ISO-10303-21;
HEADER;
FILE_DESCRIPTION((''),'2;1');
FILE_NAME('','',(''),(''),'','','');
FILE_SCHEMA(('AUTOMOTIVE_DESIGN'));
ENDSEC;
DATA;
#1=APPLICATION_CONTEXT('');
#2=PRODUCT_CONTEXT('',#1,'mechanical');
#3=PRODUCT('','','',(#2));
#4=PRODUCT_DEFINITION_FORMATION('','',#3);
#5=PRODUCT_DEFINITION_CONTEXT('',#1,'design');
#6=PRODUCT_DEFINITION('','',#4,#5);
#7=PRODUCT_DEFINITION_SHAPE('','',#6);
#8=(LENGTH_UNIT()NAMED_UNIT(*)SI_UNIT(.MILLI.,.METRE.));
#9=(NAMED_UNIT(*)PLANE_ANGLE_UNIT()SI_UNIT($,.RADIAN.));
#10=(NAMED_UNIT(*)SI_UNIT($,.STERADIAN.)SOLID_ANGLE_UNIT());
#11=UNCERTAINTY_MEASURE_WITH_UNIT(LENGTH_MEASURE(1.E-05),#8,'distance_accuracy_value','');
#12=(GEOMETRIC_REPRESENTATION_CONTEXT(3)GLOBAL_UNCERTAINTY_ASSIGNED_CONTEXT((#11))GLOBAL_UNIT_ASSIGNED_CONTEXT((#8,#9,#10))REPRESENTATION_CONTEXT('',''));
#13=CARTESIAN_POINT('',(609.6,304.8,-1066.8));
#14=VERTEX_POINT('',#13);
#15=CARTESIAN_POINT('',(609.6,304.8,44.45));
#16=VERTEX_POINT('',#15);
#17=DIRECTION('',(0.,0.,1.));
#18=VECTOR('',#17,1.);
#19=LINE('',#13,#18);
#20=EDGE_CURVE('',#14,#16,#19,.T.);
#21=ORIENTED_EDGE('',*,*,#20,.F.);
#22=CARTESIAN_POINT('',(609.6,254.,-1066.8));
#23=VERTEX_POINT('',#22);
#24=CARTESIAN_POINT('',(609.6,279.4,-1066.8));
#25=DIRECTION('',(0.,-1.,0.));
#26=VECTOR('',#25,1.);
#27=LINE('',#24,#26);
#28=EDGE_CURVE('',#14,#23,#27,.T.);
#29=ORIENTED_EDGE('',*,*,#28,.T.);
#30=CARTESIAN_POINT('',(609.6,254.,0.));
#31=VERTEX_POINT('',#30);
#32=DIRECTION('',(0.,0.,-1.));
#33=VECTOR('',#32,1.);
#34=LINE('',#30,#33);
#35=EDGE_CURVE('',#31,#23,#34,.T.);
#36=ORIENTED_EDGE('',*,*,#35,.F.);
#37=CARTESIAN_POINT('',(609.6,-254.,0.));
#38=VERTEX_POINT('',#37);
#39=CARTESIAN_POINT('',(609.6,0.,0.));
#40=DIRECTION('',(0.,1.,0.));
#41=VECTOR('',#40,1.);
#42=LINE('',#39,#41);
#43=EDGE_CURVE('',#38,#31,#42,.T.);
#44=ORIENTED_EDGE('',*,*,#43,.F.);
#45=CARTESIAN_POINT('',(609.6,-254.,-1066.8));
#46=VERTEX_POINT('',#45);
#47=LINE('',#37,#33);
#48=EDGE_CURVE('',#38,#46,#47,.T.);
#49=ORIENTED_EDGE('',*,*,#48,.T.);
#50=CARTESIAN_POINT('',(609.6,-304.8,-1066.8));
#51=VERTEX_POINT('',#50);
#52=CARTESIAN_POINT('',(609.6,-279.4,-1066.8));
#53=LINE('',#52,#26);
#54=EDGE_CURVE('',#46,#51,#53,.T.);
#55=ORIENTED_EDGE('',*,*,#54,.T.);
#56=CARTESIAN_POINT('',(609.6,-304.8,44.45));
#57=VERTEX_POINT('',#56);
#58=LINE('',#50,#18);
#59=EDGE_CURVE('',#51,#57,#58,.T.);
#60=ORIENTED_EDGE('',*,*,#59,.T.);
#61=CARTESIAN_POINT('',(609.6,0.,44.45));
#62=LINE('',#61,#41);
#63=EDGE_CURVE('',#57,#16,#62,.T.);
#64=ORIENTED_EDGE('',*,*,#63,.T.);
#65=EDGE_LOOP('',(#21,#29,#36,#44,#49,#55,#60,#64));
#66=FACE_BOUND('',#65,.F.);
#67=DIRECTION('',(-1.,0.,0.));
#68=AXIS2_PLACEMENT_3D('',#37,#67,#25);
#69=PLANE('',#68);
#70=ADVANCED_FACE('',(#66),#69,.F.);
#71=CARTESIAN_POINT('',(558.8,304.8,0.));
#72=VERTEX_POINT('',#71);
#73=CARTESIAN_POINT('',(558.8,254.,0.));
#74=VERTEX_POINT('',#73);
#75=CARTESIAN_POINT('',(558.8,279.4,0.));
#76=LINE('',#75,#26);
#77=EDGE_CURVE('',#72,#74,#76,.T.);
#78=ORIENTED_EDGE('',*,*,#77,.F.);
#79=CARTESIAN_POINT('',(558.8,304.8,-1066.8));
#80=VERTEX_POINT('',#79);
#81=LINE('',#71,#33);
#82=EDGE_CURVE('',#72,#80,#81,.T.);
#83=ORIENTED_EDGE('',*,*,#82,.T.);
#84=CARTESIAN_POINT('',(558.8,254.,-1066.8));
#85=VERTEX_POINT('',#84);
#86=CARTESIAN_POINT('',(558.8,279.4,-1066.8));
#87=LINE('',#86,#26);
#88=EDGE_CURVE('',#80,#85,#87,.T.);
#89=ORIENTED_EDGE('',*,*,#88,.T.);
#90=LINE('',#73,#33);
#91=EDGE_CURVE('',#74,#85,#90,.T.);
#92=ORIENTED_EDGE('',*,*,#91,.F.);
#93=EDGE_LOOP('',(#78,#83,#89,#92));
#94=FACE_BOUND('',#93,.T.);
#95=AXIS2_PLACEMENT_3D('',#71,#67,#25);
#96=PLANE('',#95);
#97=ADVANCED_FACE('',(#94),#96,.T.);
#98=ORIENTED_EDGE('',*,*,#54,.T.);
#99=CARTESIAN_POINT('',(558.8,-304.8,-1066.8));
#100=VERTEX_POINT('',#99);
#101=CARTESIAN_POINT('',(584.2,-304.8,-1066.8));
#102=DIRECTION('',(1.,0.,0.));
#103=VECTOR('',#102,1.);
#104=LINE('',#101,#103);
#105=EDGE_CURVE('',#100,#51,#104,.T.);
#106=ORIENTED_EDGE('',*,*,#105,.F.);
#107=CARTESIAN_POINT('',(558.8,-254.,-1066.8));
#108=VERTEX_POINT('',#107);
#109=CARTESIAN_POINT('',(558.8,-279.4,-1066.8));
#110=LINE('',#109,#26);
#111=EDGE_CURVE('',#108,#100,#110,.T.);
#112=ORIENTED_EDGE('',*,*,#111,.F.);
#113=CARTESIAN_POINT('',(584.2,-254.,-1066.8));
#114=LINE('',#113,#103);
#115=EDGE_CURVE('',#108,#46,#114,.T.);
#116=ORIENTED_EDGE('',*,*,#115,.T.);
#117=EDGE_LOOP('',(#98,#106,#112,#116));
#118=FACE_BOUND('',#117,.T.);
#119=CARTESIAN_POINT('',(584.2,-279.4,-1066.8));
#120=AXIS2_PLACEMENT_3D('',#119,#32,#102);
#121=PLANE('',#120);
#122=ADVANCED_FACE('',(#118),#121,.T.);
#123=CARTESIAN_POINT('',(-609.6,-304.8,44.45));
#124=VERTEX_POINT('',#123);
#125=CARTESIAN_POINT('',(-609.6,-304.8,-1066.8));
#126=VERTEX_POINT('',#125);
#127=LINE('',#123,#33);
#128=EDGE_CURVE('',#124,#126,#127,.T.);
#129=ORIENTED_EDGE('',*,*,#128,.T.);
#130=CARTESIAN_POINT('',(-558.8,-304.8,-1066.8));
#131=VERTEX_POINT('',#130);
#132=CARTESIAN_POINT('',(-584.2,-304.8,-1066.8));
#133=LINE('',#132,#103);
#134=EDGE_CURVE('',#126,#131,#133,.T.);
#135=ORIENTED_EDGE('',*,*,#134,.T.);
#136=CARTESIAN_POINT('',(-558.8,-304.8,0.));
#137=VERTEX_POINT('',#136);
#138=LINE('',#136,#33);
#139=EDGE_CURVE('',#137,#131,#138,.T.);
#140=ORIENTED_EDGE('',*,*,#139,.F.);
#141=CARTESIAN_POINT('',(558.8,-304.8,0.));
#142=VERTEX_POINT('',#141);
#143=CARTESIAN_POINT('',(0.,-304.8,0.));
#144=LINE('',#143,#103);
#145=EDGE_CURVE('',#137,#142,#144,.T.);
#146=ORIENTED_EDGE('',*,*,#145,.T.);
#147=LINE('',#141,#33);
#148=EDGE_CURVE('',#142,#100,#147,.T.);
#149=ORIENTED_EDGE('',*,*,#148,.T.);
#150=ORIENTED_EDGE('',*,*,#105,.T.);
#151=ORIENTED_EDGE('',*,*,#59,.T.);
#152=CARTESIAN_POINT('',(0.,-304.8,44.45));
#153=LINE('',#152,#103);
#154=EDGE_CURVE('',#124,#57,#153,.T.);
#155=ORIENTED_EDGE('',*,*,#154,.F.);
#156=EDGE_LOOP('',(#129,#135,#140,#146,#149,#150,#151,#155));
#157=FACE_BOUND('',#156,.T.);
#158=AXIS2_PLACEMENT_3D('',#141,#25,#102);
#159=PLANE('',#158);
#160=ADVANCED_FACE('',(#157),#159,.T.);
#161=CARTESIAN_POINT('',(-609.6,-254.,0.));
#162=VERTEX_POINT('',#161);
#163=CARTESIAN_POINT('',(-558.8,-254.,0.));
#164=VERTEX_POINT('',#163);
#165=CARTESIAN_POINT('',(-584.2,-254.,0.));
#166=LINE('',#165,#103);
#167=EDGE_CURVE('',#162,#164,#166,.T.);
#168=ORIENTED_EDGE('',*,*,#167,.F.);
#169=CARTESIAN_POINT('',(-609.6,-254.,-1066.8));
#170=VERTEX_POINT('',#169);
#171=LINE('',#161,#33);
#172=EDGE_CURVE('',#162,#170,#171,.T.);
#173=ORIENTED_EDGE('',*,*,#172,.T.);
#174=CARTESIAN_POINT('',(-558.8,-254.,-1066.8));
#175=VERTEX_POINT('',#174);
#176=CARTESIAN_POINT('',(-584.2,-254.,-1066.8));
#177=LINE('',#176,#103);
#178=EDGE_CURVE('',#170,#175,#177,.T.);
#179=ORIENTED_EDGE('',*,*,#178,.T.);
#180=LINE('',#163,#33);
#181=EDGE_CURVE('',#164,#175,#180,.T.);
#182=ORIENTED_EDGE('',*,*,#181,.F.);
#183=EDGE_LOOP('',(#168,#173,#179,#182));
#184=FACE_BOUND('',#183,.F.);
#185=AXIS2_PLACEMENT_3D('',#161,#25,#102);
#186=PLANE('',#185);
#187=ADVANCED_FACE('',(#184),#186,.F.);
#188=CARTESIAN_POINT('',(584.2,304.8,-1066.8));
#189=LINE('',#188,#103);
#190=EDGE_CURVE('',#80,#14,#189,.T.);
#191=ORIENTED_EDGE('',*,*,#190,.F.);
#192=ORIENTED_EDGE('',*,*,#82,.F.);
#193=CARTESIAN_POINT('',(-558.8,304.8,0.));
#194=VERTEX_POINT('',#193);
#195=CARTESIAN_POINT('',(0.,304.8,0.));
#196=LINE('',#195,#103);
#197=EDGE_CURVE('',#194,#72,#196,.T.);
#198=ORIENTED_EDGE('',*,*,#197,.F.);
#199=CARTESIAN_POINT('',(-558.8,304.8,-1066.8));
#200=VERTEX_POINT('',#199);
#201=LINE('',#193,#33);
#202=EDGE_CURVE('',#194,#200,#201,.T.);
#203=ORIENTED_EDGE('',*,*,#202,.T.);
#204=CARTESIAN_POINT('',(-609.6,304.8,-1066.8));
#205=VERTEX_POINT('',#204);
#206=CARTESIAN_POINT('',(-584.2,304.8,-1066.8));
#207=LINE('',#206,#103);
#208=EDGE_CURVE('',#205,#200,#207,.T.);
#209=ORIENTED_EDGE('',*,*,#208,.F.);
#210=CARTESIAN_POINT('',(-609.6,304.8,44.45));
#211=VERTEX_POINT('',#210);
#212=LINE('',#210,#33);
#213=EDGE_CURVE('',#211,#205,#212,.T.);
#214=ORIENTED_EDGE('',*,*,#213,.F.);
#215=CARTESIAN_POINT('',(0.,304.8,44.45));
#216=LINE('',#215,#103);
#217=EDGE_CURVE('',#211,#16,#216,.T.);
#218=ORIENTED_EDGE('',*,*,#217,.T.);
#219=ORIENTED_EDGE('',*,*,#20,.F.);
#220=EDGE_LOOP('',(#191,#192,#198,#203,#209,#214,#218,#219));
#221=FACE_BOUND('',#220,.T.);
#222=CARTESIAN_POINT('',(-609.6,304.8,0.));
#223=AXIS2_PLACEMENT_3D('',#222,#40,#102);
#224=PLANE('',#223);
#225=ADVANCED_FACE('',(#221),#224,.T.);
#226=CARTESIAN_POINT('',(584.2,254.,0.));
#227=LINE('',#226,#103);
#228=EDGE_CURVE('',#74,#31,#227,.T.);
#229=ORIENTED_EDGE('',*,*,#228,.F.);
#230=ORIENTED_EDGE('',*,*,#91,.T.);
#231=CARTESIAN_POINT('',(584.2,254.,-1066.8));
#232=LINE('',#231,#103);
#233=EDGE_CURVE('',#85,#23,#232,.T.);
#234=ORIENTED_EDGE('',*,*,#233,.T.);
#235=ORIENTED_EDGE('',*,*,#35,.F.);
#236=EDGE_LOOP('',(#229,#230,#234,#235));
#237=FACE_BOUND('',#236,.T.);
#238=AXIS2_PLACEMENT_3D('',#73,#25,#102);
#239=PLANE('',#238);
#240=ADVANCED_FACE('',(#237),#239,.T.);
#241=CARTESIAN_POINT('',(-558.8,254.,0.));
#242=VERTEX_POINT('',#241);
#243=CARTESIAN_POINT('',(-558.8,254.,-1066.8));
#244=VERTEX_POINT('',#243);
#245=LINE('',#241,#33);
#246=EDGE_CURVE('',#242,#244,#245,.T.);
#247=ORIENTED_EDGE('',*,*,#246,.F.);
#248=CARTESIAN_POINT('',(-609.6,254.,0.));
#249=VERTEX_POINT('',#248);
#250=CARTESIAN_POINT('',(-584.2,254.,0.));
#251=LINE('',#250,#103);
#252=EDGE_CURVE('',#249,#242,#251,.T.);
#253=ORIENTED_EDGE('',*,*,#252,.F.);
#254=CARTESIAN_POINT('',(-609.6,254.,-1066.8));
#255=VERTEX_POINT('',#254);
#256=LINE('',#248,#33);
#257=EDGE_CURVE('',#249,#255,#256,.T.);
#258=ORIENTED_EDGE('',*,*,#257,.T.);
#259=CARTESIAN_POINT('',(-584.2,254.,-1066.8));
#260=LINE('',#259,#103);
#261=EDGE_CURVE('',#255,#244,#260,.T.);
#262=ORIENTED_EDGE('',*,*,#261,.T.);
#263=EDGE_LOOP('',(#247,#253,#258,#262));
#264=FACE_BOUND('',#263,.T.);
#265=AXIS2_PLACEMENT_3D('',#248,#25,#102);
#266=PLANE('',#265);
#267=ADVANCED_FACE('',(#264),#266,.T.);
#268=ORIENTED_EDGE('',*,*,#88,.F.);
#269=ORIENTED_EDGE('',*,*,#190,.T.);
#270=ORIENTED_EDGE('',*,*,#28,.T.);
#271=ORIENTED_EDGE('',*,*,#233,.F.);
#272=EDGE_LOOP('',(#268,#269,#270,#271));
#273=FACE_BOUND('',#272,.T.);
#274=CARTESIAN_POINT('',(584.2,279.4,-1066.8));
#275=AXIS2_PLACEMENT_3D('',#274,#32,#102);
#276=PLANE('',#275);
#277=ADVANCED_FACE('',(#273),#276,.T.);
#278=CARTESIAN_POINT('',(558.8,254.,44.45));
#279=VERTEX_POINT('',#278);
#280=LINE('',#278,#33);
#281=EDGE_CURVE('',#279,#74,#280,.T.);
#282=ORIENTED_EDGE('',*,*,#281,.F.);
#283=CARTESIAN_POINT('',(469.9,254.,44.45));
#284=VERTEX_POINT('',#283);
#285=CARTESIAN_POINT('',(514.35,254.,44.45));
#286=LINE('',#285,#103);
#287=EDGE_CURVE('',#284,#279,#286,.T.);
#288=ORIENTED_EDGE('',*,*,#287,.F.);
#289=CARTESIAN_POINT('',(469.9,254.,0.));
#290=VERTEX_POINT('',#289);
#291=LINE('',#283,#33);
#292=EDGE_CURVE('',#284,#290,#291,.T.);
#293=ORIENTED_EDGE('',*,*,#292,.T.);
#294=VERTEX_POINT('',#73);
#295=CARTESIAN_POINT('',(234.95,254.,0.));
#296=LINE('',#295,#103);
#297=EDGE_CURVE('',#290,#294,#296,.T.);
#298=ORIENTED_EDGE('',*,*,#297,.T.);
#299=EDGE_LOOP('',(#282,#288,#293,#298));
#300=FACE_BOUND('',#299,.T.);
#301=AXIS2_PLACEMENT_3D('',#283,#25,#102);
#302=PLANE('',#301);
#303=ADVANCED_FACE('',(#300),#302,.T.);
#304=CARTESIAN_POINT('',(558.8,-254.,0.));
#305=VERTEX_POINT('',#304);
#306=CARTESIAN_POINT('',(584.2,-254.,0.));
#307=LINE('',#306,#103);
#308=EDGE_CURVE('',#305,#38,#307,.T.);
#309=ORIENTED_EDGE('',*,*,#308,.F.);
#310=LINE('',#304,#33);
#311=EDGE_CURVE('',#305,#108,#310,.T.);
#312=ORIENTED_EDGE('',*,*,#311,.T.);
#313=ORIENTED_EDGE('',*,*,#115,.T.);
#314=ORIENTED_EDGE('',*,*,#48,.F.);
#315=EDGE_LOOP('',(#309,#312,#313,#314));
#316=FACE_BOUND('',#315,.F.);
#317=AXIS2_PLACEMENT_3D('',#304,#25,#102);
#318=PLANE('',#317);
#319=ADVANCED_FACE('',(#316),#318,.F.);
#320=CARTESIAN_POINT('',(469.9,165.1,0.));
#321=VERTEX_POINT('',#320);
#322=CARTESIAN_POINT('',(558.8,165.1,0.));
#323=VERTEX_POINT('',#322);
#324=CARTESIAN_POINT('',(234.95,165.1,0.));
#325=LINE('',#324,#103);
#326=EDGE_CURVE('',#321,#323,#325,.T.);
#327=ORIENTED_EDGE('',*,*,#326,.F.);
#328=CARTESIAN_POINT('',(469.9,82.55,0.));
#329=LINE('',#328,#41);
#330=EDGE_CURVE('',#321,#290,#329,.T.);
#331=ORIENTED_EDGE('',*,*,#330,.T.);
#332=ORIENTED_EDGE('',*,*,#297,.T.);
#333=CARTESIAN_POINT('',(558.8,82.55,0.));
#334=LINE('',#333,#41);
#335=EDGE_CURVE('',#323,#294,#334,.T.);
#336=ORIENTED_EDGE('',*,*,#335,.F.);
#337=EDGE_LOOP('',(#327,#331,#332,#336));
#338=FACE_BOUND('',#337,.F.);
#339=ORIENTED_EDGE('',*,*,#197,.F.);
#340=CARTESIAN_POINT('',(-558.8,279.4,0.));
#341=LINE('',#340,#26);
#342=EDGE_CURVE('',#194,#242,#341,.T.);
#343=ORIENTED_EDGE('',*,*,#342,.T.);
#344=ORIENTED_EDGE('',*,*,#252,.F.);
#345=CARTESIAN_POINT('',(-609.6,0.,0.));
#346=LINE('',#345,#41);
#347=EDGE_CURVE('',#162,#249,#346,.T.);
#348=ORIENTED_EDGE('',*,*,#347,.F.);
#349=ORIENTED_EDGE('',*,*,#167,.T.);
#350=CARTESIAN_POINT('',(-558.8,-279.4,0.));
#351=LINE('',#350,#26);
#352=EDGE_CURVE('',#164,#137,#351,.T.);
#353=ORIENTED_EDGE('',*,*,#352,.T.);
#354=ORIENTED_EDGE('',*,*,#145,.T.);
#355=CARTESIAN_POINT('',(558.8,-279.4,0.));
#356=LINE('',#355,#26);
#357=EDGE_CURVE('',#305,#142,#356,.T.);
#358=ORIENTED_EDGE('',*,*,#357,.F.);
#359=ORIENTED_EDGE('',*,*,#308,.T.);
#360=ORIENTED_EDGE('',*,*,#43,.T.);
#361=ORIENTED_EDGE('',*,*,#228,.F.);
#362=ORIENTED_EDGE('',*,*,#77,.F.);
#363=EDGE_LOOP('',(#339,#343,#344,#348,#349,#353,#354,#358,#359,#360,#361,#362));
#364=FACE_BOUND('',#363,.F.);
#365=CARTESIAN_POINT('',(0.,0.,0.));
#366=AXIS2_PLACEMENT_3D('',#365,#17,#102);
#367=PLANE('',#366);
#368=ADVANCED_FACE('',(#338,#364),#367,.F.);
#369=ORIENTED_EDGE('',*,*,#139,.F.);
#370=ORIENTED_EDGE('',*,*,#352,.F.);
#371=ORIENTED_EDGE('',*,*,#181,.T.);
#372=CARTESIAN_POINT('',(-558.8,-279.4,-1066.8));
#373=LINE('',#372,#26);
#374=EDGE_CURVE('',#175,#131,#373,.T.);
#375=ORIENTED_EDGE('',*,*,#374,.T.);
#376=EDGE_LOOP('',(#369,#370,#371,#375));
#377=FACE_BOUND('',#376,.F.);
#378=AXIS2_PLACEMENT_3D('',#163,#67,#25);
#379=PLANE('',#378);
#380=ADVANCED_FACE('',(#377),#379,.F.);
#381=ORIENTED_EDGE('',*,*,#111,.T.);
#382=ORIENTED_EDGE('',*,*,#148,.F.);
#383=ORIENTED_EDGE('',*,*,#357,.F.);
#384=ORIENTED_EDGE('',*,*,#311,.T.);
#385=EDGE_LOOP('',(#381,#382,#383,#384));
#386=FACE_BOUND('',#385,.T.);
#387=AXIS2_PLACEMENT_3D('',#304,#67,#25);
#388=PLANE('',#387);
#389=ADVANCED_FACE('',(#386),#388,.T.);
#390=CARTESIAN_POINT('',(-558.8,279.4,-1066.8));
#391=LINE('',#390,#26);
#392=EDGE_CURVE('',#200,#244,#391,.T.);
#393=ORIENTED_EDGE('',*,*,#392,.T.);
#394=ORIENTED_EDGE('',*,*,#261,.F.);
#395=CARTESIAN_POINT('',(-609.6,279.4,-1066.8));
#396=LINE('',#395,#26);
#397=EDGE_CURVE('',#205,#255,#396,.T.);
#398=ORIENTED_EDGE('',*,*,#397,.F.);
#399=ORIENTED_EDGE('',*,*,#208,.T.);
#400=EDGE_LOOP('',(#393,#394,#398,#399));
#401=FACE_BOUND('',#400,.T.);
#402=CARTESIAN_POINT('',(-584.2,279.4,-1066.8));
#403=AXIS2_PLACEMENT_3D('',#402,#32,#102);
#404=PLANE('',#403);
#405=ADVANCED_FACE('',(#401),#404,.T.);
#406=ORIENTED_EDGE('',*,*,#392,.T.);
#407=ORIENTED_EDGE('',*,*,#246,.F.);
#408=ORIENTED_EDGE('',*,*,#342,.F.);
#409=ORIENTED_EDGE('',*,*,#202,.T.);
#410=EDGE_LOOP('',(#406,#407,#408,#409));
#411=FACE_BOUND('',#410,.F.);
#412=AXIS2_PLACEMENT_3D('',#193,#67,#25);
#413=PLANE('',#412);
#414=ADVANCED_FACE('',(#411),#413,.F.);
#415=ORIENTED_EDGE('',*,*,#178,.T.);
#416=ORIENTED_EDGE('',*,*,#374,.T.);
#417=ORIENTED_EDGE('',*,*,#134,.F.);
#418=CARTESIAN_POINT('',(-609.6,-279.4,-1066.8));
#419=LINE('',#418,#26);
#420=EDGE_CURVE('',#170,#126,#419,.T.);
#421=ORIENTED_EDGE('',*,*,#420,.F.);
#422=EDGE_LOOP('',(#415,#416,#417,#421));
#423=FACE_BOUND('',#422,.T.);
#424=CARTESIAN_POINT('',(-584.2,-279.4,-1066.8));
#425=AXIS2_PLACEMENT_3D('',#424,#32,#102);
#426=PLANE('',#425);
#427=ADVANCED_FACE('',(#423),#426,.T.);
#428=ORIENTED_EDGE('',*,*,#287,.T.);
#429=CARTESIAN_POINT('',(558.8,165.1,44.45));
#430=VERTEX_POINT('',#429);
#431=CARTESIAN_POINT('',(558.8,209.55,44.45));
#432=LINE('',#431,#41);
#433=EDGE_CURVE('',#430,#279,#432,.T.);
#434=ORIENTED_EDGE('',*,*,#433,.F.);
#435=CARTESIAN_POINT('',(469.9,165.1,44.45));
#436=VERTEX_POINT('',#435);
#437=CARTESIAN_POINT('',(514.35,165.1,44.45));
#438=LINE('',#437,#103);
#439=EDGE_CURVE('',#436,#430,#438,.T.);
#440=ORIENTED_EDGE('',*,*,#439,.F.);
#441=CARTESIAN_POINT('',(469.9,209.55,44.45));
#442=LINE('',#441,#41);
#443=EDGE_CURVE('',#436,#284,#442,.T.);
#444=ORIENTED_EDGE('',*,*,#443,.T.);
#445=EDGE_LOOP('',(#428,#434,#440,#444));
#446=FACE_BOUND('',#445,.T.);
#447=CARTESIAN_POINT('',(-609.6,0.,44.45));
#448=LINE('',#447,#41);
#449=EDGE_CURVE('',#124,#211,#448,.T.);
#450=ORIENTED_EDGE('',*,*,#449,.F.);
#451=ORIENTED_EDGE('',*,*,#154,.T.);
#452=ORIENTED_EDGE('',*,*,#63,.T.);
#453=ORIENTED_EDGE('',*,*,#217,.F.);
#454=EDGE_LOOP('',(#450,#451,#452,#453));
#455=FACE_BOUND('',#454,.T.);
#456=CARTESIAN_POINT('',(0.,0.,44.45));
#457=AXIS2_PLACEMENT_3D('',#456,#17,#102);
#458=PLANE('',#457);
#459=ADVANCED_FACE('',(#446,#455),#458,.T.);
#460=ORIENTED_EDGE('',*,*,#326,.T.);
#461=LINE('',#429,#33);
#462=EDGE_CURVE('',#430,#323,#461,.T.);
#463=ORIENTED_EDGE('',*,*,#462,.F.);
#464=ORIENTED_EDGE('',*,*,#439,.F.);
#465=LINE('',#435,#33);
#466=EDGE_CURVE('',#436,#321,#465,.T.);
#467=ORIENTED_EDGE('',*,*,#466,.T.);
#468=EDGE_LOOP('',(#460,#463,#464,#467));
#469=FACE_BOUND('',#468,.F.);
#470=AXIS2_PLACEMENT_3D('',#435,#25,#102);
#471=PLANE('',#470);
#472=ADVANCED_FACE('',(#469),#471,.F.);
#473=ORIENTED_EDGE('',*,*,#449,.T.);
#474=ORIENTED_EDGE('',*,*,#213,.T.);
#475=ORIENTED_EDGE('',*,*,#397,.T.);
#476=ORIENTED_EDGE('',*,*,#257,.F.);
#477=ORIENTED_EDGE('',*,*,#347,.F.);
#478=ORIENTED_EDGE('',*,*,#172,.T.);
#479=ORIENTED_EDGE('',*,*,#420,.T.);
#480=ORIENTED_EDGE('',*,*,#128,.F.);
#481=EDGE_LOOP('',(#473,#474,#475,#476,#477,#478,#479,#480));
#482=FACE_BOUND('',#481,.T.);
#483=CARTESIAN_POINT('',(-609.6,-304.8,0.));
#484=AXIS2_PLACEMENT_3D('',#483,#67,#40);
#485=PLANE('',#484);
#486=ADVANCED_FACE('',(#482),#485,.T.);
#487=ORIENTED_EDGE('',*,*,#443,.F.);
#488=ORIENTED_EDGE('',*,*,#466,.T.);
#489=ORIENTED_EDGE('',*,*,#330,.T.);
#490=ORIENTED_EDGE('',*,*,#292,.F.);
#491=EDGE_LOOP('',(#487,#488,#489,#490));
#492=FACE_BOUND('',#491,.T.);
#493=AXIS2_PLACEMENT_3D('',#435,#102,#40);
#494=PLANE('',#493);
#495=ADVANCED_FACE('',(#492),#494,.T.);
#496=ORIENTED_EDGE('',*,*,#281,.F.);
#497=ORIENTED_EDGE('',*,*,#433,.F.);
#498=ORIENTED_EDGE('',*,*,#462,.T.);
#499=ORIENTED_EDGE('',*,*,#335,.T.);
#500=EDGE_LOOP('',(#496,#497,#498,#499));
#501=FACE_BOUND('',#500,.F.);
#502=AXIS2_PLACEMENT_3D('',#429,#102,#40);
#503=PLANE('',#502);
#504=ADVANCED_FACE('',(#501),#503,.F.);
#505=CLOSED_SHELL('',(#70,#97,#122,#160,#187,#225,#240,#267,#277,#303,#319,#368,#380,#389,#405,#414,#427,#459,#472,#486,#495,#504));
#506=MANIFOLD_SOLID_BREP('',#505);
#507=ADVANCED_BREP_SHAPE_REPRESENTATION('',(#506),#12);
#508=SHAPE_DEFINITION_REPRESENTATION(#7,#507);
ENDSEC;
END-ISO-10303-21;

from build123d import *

# Parameters (mm, degrees)
F0_W     = 1219.2
F0_H     = 609.6
F1_DEPTH = 44.45
F2_W     = 88.9
F2_H     = 88.9
F3_DEPTH = 44.451
F4_W     = 50.8
F4_H     = 50.8
F5_DEPTH = 1066.8


with BuildPart() as f1:
    # F0 (on Top) → F1 (new body)
    with BuildSketch(Plane.XY):
        Rectangle(F0_W, F0_H)
    extrude(amount=F1_DEPTH)

    # F2 (on face) → F3 (cut, through all)
    with BuildSketch(Plane.XY.offset(44.45)):
        with Locations((514.35, 209.55)):
            Rectangle(F2_W, F2_H)
    extrude(amount=-F3_DEPTH, mode=Mode.SUBTRACT)

    # F4 (on face) → F5 (join)
    with BuildSketch(Plane(origin=(0, 0, 0), x_dir=(1, 0, 0), z_dir=(0, 0, -1))):
        with Locations((584.2, 279.4)):
            Rectangle(F4_W, F4_H)
        with Locations((-584.2, 279.4)):
            Rectangle(F4_W, F4_H)
        with Locations((-584.2, -279.4)):
            Rectangle(F4_W, F4_H)
        with Locations((584.2, -279.4)):
            Rectangle(F4_W, F4_H)
    extrude(amount=F5_DEPTH)


solid = f1.part
